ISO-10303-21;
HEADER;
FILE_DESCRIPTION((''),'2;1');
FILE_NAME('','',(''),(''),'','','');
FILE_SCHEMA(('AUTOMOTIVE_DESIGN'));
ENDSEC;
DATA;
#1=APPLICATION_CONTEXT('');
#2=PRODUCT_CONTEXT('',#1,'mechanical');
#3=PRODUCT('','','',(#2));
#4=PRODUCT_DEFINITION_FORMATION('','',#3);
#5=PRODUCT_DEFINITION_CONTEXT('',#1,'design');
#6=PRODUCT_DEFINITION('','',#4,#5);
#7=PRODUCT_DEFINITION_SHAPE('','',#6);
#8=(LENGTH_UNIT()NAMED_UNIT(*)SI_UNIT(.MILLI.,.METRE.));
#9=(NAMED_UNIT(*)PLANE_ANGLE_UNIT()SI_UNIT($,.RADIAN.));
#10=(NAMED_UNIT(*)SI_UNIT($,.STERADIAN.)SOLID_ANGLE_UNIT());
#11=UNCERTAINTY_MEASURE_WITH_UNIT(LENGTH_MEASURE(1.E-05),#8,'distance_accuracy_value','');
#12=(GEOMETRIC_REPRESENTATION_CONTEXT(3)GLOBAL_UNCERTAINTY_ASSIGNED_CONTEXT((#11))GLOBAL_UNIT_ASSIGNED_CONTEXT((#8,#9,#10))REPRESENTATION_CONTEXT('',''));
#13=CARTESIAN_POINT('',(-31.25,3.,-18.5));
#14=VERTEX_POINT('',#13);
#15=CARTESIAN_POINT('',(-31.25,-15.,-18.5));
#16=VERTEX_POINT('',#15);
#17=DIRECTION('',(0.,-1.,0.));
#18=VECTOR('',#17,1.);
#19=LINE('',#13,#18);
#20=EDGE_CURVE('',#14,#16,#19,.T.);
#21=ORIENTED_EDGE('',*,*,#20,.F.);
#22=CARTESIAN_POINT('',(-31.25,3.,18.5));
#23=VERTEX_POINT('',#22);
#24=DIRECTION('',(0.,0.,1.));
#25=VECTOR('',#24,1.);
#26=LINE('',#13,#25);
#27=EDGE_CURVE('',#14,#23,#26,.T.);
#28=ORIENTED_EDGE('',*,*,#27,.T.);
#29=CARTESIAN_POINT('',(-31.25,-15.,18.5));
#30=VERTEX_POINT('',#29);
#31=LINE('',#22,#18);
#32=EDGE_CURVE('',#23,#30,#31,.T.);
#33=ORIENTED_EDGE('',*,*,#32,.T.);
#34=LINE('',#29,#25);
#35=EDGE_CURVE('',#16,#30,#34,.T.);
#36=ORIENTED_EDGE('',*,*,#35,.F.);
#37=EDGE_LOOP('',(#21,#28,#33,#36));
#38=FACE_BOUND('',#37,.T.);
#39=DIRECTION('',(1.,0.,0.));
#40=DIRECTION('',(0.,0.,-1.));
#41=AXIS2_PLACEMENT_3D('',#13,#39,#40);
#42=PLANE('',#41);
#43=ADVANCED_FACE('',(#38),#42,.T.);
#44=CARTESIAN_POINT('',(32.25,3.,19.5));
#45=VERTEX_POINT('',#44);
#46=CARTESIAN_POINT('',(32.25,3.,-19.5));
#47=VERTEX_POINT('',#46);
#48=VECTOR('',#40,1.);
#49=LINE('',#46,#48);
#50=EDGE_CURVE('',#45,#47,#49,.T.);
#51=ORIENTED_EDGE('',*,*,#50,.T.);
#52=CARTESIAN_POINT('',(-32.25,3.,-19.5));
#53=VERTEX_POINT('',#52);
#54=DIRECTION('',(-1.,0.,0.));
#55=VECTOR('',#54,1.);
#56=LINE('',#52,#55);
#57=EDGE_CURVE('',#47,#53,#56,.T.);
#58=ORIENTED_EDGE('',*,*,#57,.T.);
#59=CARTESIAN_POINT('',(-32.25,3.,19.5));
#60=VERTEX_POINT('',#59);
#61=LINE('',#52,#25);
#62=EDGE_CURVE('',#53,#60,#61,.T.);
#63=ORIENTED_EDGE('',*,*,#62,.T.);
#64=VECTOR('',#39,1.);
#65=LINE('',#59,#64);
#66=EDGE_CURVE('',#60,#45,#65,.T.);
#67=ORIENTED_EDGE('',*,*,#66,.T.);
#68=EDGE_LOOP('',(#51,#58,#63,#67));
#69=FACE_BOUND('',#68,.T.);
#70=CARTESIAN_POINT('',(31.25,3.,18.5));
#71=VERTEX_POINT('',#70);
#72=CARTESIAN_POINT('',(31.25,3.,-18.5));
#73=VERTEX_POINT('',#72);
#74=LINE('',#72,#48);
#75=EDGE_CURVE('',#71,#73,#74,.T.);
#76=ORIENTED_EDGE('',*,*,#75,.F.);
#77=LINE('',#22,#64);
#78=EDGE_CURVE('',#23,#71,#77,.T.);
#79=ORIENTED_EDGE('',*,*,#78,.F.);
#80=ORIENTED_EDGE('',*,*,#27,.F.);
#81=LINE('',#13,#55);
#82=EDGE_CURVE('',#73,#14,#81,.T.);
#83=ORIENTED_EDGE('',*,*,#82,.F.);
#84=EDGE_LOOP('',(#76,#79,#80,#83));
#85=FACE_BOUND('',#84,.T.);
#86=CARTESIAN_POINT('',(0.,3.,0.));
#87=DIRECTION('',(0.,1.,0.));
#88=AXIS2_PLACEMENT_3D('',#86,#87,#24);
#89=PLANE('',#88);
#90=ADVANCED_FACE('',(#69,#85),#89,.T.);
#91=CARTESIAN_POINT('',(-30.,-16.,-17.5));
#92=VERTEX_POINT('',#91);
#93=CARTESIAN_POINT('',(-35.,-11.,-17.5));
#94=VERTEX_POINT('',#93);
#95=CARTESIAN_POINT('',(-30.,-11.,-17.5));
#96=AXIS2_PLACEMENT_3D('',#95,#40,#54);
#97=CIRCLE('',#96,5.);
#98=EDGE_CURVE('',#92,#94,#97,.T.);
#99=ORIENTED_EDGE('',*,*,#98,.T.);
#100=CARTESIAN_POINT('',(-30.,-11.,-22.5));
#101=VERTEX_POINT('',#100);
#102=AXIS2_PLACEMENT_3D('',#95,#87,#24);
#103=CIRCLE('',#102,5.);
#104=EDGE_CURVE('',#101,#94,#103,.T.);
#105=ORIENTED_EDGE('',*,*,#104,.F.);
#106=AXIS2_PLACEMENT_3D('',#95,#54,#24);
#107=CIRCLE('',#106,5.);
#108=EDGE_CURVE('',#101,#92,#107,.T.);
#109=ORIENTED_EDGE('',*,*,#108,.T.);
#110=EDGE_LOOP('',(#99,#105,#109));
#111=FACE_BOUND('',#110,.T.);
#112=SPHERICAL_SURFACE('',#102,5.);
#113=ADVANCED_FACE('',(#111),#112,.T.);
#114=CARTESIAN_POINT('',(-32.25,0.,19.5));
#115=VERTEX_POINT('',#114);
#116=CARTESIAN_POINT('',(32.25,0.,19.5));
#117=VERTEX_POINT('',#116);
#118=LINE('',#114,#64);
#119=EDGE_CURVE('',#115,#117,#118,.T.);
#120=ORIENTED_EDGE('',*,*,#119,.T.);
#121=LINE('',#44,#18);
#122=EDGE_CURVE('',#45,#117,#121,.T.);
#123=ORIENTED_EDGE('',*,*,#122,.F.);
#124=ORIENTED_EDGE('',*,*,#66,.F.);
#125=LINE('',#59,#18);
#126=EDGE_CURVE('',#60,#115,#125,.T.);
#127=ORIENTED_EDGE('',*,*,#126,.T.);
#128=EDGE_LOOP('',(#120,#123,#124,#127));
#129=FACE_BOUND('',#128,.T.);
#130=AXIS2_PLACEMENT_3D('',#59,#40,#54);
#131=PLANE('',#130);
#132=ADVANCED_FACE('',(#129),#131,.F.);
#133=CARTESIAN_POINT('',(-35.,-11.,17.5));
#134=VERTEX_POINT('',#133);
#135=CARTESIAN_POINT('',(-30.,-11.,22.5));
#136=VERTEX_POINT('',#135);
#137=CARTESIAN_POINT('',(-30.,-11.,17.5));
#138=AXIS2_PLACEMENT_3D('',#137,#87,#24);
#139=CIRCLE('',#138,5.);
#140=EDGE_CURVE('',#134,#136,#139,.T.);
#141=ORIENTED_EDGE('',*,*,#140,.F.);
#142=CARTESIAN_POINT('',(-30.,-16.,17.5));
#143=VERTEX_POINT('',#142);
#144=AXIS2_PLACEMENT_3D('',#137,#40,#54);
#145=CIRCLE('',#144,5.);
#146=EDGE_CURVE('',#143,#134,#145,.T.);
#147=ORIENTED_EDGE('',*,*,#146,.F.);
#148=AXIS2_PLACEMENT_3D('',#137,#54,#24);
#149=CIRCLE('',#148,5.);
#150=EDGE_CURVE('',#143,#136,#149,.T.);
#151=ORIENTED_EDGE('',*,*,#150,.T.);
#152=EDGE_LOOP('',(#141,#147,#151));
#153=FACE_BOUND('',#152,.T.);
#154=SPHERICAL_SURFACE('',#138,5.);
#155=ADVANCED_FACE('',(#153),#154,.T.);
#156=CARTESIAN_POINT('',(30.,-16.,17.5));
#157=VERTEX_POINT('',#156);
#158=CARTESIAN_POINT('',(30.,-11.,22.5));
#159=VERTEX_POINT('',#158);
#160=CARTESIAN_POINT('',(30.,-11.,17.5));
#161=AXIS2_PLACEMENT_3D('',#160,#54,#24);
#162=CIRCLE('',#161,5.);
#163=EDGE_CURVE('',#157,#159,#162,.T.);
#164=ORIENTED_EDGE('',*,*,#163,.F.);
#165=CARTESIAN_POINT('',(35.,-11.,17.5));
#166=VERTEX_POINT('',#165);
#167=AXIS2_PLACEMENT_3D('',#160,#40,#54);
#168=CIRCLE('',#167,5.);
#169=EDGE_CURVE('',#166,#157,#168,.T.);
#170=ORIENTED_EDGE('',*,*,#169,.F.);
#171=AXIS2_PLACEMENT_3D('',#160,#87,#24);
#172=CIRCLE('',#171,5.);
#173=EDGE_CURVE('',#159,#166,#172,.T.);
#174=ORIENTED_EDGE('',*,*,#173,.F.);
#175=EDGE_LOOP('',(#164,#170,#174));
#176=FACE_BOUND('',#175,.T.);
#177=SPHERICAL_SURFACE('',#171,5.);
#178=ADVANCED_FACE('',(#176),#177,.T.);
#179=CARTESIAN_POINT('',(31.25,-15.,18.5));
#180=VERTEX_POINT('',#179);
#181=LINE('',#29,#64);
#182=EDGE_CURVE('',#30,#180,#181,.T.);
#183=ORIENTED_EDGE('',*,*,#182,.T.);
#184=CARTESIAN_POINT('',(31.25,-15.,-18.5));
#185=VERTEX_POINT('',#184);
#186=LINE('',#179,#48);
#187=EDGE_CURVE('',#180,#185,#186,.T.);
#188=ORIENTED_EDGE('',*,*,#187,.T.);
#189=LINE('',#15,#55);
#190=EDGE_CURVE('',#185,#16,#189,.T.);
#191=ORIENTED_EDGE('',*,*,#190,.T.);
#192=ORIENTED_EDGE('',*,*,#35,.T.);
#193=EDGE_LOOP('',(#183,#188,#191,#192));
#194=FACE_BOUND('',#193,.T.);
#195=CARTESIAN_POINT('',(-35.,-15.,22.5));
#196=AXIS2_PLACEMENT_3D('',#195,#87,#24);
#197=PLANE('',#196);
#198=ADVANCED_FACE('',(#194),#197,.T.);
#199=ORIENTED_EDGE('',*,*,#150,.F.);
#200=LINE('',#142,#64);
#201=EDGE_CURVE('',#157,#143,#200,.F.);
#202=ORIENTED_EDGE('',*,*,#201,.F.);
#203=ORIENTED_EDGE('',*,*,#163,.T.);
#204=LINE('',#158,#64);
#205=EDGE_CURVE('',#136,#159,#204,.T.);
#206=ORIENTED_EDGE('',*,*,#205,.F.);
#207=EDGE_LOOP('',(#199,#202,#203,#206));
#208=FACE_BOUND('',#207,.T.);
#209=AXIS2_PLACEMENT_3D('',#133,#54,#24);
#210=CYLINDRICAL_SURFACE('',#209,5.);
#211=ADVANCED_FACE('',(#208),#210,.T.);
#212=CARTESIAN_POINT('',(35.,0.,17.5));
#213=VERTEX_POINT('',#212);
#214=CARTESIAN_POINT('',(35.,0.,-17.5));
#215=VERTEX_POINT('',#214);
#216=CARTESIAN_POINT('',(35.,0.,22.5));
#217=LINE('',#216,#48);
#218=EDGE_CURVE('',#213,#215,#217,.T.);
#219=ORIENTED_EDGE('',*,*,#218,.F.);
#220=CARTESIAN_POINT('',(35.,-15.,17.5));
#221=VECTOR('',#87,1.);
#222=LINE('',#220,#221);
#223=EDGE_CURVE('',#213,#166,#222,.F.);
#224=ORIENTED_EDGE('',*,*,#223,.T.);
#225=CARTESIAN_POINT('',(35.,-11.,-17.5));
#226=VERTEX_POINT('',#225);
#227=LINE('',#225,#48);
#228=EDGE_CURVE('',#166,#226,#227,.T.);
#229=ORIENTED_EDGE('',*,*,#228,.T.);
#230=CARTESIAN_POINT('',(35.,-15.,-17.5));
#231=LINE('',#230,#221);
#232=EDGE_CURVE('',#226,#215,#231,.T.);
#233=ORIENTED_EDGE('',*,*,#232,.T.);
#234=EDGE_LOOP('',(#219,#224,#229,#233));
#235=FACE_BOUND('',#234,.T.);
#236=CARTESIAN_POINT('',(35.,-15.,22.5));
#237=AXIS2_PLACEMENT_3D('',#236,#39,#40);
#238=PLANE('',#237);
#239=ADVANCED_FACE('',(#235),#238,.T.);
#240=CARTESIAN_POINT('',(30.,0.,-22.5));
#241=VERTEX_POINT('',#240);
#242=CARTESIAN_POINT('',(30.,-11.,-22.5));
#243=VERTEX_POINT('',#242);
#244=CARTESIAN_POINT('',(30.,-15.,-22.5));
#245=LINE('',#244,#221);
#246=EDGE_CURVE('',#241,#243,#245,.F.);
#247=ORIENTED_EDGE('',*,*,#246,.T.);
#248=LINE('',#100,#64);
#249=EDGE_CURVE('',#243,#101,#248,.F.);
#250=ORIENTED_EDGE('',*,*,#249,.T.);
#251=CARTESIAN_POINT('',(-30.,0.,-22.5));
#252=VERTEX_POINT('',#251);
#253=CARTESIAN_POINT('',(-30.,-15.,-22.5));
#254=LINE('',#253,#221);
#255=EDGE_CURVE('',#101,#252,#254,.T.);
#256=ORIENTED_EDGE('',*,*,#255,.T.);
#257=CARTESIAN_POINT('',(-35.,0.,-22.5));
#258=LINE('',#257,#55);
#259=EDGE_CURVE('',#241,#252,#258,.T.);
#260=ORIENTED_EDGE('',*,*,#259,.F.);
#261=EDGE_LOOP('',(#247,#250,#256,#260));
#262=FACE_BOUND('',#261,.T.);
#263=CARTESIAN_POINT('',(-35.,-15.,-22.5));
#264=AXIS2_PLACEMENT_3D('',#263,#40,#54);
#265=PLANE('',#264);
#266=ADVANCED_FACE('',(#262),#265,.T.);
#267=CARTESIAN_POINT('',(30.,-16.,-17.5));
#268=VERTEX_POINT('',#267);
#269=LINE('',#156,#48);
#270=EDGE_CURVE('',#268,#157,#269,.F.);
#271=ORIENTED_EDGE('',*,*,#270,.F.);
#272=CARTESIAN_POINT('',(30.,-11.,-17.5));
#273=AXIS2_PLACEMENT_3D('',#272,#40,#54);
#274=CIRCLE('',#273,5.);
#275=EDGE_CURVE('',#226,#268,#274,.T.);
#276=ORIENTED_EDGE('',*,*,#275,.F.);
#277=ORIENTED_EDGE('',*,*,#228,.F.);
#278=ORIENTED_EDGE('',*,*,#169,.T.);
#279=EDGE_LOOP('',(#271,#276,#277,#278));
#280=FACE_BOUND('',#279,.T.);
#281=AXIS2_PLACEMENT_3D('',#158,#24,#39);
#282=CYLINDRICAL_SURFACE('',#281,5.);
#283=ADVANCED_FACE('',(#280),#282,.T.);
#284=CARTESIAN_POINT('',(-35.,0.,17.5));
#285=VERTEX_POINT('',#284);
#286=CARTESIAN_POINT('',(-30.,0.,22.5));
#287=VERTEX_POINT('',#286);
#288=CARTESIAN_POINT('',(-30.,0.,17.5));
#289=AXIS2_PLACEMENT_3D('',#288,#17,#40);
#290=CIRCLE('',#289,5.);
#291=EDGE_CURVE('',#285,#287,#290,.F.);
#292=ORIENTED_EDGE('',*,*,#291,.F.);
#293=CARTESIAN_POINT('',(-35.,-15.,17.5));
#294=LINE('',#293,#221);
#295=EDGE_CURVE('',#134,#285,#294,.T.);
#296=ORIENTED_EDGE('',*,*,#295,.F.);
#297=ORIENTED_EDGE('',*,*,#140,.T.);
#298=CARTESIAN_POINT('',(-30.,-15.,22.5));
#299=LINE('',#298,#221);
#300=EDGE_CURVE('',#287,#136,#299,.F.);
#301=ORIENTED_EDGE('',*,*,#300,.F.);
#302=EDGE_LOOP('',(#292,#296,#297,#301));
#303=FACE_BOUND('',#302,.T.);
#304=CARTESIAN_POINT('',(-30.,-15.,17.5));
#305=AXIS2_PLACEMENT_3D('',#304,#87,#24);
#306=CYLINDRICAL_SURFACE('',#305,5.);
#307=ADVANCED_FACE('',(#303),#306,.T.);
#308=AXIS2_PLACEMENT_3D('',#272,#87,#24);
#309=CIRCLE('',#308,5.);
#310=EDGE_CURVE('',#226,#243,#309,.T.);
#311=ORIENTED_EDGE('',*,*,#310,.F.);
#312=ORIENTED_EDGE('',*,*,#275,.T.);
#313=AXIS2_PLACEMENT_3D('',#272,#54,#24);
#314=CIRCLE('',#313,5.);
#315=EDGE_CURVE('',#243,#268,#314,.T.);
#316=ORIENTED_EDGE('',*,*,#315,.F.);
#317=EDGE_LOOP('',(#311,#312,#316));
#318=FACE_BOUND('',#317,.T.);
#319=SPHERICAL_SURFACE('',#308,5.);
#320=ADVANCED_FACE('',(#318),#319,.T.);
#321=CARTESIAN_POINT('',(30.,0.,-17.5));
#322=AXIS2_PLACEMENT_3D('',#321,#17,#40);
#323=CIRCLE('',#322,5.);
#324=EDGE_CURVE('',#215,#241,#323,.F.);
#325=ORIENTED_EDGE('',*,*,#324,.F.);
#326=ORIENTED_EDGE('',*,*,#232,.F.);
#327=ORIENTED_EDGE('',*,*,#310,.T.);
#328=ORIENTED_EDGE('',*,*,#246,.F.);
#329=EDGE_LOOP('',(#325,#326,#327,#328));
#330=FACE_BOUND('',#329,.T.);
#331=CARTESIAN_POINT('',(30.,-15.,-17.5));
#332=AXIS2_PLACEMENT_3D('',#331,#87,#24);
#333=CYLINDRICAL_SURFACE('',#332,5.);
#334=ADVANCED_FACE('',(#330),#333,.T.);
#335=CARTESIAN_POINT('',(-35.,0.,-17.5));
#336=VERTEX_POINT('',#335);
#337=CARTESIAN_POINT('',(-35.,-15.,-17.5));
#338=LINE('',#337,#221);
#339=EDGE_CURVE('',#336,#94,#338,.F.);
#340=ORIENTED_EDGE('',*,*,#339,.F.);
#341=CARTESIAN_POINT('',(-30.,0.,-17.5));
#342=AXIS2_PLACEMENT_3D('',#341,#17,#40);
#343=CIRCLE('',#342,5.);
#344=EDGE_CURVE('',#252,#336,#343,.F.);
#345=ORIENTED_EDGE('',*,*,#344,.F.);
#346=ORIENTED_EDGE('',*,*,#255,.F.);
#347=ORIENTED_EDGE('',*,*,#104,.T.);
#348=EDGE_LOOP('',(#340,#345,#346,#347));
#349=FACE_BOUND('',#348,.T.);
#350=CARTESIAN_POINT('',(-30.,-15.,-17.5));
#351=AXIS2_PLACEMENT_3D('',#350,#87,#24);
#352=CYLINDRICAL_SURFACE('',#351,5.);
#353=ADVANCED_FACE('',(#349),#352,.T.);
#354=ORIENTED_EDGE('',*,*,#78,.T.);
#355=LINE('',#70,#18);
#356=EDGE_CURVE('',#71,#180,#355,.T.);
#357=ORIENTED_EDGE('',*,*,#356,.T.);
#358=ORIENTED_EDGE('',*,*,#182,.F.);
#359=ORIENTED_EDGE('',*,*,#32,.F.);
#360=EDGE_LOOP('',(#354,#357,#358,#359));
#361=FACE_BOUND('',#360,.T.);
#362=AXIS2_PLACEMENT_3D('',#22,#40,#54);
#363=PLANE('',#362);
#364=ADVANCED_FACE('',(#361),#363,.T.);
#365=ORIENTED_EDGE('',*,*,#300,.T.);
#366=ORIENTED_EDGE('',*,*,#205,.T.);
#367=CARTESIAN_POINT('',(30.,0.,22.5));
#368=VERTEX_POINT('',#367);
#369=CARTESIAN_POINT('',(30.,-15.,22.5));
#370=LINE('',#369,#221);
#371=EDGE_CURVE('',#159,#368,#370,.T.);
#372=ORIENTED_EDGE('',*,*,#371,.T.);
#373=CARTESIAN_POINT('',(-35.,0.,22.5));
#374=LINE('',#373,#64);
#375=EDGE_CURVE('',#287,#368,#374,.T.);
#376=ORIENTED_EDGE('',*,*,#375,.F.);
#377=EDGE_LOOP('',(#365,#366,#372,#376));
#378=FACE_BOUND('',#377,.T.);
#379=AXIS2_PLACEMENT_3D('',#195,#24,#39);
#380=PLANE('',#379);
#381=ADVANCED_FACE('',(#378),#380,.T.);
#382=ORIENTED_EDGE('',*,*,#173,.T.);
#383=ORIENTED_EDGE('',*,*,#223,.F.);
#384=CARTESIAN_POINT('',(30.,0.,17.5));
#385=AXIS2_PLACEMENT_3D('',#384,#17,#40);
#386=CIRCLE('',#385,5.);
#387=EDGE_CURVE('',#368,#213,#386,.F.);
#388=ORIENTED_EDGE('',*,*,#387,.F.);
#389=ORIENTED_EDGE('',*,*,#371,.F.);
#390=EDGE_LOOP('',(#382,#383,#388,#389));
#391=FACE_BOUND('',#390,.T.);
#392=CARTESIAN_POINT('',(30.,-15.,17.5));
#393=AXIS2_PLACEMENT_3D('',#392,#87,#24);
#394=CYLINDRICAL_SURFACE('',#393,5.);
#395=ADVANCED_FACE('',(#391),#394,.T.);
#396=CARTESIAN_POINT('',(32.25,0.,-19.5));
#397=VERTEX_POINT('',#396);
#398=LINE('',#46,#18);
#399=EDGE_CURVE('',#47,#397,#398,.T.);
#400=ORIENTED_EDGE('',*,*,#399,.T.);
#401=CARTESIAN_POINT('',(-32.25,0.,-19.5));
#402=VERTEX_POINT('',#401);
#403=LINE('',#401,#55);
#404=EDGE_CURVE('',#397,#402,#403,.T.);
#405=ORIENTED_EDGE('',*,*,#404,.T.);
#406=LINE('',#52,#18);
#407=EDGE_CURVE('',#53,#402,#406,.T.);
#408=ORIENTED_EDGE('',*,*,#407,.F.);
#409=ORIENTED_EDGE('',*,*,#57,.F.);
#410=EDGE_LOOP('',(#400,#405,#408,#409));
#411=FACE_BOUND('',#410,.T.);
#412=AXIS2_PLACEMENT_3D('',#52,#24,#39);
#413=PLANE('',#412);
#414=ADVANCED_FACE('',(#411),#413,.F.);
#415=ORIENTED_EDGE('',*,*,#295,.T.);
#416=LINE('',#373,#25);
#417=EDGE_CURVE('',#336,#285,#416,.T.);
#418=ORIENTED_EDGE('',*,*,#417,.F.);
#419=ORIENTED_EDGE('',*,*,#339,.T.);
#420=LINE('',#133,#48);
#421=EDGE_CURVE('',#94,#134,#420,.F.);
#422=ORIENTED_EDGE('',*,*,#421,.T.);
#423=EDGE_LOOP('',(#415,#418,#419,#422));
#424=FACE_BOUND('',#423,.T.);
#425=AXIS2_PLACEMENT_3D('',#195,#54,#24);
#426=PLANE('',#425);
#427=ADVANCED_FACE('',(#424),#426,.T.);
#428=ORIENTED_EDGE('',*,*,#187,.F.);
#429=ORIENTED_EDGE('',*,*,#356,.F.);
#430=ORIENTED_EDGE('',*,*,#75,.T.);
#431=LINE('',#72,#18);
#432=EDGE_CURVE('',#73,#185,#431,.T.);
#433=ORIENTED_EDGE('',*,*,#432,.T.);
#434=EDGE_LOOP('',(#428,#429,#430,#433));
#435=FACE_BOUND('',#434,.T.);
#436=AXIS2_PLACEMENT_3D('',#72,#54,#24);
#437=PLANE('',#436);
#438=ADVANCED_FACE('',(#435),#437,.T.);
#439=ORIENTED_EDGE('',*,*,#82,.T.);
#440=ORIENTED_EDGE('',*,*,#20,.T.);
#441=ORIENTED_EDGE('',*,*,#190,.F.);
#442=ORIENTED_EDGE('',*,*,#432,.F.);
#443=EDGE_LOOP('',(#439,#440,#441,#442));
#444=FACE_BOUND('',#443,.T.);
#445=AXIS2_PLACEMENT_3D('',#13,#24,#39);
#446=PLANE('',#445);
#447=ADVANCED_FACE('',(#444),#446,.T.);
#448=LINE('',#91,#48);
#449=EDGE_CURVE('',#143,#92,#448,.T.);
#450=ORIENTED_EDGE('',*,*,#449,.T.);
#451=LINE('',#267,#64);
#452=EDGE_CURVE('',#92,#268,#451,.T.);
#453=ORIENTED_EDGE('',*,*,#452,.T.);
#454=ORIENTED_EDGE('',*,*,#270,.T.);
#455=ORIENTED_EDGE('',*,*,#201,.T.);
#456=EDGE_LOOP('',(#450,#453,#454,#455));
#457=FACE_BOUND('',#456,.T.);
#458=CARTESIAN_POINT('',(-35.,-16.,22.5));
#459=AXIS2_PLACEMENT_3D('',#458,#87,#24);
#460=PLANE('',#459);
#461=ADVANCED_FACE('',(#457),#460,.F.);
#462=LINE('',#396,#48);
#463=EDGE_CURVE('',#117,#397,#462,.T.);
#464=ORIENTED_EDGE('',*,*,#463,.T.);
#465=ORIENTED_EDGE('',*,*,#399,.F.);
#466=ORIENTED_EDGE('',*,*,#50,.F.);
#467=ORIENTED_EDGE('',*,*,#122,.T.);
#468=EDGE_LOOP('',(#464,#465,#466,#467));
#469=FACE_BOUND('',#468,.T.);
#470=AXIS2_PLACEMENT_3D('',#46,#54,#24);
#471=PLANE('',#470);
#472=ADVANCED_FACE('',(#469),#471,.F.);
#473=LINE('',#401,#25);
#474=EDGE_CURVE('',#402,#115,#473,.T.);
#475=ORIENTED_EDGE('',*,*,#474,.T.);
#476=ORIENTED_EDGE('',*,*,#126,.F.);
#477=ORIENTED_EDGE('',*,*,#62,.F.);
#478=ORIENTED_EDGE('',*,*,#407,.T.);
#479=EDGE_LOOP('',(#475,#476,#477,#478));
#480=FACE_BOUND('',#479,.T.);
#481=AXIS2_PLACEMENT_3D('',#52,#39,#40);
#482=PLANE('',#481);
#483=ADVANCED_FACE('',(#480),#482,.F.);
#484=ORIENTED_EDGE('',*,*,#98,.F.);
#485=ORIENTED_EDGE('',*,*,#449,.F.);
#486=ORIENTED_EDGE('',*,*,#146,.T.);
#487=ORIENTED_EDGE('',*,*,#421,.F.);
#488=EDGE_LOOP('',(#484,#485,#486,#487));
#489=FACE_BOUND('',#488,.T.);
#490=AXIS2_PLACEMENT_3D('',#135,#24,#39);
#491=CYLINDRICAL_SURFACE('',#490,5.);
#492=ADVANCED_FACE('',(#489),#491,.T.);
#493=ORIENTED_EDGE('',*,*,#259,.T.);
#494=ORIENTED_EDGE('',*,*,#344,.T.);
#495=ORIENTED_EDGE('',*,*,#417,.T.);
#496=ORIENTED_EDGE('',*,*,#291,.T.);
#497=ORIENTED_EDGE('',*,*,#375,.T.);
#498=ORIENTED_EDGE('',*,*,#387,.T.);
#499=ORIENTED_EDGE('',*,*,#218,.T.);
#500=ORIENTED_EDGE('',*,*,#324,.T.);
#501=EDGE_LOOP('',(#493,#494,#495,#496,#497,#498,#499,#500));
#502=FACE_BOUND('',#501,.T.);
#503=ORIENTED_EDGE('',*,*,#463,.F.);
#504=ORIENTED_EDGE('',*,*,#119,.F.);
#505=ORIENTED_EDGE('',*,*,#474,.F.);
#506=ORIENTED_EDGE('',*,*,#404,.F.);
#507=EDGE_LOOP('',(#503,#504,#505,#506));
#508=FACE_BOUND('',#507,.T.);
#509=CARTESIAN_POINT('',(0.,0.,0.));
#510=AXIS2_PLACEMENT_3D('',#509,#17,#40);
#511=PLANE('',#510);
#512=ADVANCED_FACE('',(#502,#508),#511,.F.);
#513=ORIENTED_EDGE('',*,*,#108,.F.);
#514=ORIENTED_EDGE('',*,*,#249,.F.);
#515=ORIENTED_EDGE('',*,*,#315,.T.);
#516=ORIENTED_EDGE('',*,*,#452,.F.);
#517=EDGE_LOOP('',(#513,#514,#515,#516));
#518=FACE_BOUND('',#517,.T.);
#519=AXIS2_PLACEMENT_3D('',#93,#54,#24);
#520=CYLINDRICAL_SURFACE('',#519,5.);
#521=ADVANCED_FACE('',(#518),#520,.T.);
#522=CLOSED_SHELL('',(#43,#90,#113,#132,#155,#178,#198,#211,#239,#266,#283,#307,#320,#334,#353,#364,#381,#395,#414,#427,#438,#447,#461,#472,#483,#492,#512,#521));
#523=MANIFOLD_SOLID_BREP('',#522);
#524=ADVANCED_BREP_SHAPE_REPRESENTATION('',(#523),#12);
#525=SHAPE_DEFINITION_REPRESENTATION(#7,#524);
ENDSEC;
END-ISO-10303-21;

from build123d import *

# Parameters (mm, degrees)
SKETCH_1_W      = 64.5
SKETCH_1_H      = 39
SKETCH_1_W_2    = 62.5
SKETCH_1_H_2    = 37
EXTRUDE_2_DEPTH = 3
SKETCH_2_W      = 70
SKETCH_2_H      = 45
SKETCH_2_W_2    = 62.5
SKETCH_2_H_2    = 37
EXTRUDE_3_DEPTH = 15
SKETCH_4_W      = 70
SKETCH_4_H      = 1
EXTRUDE_4_DEPTH = 22.5
FILLET_1_R      = 5
FILLET_2_R      = 5


with BuildPart() as part:
    # 草图1 → 凸台-拉伸2 (new body)
    with BuildSketch(Plane(origin=(0, 0, 0), x_dir=(1, 0, 0), z_dir=(0, 1, 0))):
        Rectangle(SKETCH_1_W, SKETCH_1_H)
        Rectangle(SKETCH_1_W_2, SKETCH_1_H_2, mode=Mode.SUBTRACT)
    extrude(amount=EXTRUDE_2_DEPTH)

    # 草图2 → 凸台-拉伸3 (add)
    with BuildSketch(Plane(origin=(0, 0, 0), x_dir=(1, 0, 0), z_dir=(0, 1, 0))):
        Rectangle(SKETCH_2_W, SKETCH_2_H)
        Rectangle(SKETCH_2_W_2, SKETCH_2_H_2, mode=Mode.SUBTRACT)
    extrude(amount=-EXTRUDE_3_DEPTH)

    # 草图4 → 凸台-拉伸4 (add, symmetric)
    with BuildSketch(Plane.XY):
        with Locations((0, -15.5)):
            Rectangle(SKETCH_4_W, SKETCH_4_H)
    extrude(amount=EXTRUDE_4_DEPTH, both=True)

    # 圆角1
    fillet_1_edges = [part.edges().sort_by_distance(p)[0] for p in [
        (35, -8, -22.5),
        (35, -8, 22.5),
        (-35, -8, 22.5),
        (-35, -8, -22.5),
    ]]
    fillet(fillet_1_edges, radius=FILLET_1_R)

    # 圆角2
    fillet_2_edges = [part.edges().sort_by_distance(p)[0] for p in [
        (0, -16, 22.5),
        (35, -16, 0),
        (0, -16, -22.5),
        (-35, -16, 0),
        (-33.535533906, -16, -21.035533906),
        (-33.535533906, -16, 21.035533906),
        (33.535533906, -16, -21.035533906),
        (33.535533906, -16, 21.035533906),
    ]]
    fillet(fillet_2_edges, radius=FILLET_2_R)


solid = part.part
